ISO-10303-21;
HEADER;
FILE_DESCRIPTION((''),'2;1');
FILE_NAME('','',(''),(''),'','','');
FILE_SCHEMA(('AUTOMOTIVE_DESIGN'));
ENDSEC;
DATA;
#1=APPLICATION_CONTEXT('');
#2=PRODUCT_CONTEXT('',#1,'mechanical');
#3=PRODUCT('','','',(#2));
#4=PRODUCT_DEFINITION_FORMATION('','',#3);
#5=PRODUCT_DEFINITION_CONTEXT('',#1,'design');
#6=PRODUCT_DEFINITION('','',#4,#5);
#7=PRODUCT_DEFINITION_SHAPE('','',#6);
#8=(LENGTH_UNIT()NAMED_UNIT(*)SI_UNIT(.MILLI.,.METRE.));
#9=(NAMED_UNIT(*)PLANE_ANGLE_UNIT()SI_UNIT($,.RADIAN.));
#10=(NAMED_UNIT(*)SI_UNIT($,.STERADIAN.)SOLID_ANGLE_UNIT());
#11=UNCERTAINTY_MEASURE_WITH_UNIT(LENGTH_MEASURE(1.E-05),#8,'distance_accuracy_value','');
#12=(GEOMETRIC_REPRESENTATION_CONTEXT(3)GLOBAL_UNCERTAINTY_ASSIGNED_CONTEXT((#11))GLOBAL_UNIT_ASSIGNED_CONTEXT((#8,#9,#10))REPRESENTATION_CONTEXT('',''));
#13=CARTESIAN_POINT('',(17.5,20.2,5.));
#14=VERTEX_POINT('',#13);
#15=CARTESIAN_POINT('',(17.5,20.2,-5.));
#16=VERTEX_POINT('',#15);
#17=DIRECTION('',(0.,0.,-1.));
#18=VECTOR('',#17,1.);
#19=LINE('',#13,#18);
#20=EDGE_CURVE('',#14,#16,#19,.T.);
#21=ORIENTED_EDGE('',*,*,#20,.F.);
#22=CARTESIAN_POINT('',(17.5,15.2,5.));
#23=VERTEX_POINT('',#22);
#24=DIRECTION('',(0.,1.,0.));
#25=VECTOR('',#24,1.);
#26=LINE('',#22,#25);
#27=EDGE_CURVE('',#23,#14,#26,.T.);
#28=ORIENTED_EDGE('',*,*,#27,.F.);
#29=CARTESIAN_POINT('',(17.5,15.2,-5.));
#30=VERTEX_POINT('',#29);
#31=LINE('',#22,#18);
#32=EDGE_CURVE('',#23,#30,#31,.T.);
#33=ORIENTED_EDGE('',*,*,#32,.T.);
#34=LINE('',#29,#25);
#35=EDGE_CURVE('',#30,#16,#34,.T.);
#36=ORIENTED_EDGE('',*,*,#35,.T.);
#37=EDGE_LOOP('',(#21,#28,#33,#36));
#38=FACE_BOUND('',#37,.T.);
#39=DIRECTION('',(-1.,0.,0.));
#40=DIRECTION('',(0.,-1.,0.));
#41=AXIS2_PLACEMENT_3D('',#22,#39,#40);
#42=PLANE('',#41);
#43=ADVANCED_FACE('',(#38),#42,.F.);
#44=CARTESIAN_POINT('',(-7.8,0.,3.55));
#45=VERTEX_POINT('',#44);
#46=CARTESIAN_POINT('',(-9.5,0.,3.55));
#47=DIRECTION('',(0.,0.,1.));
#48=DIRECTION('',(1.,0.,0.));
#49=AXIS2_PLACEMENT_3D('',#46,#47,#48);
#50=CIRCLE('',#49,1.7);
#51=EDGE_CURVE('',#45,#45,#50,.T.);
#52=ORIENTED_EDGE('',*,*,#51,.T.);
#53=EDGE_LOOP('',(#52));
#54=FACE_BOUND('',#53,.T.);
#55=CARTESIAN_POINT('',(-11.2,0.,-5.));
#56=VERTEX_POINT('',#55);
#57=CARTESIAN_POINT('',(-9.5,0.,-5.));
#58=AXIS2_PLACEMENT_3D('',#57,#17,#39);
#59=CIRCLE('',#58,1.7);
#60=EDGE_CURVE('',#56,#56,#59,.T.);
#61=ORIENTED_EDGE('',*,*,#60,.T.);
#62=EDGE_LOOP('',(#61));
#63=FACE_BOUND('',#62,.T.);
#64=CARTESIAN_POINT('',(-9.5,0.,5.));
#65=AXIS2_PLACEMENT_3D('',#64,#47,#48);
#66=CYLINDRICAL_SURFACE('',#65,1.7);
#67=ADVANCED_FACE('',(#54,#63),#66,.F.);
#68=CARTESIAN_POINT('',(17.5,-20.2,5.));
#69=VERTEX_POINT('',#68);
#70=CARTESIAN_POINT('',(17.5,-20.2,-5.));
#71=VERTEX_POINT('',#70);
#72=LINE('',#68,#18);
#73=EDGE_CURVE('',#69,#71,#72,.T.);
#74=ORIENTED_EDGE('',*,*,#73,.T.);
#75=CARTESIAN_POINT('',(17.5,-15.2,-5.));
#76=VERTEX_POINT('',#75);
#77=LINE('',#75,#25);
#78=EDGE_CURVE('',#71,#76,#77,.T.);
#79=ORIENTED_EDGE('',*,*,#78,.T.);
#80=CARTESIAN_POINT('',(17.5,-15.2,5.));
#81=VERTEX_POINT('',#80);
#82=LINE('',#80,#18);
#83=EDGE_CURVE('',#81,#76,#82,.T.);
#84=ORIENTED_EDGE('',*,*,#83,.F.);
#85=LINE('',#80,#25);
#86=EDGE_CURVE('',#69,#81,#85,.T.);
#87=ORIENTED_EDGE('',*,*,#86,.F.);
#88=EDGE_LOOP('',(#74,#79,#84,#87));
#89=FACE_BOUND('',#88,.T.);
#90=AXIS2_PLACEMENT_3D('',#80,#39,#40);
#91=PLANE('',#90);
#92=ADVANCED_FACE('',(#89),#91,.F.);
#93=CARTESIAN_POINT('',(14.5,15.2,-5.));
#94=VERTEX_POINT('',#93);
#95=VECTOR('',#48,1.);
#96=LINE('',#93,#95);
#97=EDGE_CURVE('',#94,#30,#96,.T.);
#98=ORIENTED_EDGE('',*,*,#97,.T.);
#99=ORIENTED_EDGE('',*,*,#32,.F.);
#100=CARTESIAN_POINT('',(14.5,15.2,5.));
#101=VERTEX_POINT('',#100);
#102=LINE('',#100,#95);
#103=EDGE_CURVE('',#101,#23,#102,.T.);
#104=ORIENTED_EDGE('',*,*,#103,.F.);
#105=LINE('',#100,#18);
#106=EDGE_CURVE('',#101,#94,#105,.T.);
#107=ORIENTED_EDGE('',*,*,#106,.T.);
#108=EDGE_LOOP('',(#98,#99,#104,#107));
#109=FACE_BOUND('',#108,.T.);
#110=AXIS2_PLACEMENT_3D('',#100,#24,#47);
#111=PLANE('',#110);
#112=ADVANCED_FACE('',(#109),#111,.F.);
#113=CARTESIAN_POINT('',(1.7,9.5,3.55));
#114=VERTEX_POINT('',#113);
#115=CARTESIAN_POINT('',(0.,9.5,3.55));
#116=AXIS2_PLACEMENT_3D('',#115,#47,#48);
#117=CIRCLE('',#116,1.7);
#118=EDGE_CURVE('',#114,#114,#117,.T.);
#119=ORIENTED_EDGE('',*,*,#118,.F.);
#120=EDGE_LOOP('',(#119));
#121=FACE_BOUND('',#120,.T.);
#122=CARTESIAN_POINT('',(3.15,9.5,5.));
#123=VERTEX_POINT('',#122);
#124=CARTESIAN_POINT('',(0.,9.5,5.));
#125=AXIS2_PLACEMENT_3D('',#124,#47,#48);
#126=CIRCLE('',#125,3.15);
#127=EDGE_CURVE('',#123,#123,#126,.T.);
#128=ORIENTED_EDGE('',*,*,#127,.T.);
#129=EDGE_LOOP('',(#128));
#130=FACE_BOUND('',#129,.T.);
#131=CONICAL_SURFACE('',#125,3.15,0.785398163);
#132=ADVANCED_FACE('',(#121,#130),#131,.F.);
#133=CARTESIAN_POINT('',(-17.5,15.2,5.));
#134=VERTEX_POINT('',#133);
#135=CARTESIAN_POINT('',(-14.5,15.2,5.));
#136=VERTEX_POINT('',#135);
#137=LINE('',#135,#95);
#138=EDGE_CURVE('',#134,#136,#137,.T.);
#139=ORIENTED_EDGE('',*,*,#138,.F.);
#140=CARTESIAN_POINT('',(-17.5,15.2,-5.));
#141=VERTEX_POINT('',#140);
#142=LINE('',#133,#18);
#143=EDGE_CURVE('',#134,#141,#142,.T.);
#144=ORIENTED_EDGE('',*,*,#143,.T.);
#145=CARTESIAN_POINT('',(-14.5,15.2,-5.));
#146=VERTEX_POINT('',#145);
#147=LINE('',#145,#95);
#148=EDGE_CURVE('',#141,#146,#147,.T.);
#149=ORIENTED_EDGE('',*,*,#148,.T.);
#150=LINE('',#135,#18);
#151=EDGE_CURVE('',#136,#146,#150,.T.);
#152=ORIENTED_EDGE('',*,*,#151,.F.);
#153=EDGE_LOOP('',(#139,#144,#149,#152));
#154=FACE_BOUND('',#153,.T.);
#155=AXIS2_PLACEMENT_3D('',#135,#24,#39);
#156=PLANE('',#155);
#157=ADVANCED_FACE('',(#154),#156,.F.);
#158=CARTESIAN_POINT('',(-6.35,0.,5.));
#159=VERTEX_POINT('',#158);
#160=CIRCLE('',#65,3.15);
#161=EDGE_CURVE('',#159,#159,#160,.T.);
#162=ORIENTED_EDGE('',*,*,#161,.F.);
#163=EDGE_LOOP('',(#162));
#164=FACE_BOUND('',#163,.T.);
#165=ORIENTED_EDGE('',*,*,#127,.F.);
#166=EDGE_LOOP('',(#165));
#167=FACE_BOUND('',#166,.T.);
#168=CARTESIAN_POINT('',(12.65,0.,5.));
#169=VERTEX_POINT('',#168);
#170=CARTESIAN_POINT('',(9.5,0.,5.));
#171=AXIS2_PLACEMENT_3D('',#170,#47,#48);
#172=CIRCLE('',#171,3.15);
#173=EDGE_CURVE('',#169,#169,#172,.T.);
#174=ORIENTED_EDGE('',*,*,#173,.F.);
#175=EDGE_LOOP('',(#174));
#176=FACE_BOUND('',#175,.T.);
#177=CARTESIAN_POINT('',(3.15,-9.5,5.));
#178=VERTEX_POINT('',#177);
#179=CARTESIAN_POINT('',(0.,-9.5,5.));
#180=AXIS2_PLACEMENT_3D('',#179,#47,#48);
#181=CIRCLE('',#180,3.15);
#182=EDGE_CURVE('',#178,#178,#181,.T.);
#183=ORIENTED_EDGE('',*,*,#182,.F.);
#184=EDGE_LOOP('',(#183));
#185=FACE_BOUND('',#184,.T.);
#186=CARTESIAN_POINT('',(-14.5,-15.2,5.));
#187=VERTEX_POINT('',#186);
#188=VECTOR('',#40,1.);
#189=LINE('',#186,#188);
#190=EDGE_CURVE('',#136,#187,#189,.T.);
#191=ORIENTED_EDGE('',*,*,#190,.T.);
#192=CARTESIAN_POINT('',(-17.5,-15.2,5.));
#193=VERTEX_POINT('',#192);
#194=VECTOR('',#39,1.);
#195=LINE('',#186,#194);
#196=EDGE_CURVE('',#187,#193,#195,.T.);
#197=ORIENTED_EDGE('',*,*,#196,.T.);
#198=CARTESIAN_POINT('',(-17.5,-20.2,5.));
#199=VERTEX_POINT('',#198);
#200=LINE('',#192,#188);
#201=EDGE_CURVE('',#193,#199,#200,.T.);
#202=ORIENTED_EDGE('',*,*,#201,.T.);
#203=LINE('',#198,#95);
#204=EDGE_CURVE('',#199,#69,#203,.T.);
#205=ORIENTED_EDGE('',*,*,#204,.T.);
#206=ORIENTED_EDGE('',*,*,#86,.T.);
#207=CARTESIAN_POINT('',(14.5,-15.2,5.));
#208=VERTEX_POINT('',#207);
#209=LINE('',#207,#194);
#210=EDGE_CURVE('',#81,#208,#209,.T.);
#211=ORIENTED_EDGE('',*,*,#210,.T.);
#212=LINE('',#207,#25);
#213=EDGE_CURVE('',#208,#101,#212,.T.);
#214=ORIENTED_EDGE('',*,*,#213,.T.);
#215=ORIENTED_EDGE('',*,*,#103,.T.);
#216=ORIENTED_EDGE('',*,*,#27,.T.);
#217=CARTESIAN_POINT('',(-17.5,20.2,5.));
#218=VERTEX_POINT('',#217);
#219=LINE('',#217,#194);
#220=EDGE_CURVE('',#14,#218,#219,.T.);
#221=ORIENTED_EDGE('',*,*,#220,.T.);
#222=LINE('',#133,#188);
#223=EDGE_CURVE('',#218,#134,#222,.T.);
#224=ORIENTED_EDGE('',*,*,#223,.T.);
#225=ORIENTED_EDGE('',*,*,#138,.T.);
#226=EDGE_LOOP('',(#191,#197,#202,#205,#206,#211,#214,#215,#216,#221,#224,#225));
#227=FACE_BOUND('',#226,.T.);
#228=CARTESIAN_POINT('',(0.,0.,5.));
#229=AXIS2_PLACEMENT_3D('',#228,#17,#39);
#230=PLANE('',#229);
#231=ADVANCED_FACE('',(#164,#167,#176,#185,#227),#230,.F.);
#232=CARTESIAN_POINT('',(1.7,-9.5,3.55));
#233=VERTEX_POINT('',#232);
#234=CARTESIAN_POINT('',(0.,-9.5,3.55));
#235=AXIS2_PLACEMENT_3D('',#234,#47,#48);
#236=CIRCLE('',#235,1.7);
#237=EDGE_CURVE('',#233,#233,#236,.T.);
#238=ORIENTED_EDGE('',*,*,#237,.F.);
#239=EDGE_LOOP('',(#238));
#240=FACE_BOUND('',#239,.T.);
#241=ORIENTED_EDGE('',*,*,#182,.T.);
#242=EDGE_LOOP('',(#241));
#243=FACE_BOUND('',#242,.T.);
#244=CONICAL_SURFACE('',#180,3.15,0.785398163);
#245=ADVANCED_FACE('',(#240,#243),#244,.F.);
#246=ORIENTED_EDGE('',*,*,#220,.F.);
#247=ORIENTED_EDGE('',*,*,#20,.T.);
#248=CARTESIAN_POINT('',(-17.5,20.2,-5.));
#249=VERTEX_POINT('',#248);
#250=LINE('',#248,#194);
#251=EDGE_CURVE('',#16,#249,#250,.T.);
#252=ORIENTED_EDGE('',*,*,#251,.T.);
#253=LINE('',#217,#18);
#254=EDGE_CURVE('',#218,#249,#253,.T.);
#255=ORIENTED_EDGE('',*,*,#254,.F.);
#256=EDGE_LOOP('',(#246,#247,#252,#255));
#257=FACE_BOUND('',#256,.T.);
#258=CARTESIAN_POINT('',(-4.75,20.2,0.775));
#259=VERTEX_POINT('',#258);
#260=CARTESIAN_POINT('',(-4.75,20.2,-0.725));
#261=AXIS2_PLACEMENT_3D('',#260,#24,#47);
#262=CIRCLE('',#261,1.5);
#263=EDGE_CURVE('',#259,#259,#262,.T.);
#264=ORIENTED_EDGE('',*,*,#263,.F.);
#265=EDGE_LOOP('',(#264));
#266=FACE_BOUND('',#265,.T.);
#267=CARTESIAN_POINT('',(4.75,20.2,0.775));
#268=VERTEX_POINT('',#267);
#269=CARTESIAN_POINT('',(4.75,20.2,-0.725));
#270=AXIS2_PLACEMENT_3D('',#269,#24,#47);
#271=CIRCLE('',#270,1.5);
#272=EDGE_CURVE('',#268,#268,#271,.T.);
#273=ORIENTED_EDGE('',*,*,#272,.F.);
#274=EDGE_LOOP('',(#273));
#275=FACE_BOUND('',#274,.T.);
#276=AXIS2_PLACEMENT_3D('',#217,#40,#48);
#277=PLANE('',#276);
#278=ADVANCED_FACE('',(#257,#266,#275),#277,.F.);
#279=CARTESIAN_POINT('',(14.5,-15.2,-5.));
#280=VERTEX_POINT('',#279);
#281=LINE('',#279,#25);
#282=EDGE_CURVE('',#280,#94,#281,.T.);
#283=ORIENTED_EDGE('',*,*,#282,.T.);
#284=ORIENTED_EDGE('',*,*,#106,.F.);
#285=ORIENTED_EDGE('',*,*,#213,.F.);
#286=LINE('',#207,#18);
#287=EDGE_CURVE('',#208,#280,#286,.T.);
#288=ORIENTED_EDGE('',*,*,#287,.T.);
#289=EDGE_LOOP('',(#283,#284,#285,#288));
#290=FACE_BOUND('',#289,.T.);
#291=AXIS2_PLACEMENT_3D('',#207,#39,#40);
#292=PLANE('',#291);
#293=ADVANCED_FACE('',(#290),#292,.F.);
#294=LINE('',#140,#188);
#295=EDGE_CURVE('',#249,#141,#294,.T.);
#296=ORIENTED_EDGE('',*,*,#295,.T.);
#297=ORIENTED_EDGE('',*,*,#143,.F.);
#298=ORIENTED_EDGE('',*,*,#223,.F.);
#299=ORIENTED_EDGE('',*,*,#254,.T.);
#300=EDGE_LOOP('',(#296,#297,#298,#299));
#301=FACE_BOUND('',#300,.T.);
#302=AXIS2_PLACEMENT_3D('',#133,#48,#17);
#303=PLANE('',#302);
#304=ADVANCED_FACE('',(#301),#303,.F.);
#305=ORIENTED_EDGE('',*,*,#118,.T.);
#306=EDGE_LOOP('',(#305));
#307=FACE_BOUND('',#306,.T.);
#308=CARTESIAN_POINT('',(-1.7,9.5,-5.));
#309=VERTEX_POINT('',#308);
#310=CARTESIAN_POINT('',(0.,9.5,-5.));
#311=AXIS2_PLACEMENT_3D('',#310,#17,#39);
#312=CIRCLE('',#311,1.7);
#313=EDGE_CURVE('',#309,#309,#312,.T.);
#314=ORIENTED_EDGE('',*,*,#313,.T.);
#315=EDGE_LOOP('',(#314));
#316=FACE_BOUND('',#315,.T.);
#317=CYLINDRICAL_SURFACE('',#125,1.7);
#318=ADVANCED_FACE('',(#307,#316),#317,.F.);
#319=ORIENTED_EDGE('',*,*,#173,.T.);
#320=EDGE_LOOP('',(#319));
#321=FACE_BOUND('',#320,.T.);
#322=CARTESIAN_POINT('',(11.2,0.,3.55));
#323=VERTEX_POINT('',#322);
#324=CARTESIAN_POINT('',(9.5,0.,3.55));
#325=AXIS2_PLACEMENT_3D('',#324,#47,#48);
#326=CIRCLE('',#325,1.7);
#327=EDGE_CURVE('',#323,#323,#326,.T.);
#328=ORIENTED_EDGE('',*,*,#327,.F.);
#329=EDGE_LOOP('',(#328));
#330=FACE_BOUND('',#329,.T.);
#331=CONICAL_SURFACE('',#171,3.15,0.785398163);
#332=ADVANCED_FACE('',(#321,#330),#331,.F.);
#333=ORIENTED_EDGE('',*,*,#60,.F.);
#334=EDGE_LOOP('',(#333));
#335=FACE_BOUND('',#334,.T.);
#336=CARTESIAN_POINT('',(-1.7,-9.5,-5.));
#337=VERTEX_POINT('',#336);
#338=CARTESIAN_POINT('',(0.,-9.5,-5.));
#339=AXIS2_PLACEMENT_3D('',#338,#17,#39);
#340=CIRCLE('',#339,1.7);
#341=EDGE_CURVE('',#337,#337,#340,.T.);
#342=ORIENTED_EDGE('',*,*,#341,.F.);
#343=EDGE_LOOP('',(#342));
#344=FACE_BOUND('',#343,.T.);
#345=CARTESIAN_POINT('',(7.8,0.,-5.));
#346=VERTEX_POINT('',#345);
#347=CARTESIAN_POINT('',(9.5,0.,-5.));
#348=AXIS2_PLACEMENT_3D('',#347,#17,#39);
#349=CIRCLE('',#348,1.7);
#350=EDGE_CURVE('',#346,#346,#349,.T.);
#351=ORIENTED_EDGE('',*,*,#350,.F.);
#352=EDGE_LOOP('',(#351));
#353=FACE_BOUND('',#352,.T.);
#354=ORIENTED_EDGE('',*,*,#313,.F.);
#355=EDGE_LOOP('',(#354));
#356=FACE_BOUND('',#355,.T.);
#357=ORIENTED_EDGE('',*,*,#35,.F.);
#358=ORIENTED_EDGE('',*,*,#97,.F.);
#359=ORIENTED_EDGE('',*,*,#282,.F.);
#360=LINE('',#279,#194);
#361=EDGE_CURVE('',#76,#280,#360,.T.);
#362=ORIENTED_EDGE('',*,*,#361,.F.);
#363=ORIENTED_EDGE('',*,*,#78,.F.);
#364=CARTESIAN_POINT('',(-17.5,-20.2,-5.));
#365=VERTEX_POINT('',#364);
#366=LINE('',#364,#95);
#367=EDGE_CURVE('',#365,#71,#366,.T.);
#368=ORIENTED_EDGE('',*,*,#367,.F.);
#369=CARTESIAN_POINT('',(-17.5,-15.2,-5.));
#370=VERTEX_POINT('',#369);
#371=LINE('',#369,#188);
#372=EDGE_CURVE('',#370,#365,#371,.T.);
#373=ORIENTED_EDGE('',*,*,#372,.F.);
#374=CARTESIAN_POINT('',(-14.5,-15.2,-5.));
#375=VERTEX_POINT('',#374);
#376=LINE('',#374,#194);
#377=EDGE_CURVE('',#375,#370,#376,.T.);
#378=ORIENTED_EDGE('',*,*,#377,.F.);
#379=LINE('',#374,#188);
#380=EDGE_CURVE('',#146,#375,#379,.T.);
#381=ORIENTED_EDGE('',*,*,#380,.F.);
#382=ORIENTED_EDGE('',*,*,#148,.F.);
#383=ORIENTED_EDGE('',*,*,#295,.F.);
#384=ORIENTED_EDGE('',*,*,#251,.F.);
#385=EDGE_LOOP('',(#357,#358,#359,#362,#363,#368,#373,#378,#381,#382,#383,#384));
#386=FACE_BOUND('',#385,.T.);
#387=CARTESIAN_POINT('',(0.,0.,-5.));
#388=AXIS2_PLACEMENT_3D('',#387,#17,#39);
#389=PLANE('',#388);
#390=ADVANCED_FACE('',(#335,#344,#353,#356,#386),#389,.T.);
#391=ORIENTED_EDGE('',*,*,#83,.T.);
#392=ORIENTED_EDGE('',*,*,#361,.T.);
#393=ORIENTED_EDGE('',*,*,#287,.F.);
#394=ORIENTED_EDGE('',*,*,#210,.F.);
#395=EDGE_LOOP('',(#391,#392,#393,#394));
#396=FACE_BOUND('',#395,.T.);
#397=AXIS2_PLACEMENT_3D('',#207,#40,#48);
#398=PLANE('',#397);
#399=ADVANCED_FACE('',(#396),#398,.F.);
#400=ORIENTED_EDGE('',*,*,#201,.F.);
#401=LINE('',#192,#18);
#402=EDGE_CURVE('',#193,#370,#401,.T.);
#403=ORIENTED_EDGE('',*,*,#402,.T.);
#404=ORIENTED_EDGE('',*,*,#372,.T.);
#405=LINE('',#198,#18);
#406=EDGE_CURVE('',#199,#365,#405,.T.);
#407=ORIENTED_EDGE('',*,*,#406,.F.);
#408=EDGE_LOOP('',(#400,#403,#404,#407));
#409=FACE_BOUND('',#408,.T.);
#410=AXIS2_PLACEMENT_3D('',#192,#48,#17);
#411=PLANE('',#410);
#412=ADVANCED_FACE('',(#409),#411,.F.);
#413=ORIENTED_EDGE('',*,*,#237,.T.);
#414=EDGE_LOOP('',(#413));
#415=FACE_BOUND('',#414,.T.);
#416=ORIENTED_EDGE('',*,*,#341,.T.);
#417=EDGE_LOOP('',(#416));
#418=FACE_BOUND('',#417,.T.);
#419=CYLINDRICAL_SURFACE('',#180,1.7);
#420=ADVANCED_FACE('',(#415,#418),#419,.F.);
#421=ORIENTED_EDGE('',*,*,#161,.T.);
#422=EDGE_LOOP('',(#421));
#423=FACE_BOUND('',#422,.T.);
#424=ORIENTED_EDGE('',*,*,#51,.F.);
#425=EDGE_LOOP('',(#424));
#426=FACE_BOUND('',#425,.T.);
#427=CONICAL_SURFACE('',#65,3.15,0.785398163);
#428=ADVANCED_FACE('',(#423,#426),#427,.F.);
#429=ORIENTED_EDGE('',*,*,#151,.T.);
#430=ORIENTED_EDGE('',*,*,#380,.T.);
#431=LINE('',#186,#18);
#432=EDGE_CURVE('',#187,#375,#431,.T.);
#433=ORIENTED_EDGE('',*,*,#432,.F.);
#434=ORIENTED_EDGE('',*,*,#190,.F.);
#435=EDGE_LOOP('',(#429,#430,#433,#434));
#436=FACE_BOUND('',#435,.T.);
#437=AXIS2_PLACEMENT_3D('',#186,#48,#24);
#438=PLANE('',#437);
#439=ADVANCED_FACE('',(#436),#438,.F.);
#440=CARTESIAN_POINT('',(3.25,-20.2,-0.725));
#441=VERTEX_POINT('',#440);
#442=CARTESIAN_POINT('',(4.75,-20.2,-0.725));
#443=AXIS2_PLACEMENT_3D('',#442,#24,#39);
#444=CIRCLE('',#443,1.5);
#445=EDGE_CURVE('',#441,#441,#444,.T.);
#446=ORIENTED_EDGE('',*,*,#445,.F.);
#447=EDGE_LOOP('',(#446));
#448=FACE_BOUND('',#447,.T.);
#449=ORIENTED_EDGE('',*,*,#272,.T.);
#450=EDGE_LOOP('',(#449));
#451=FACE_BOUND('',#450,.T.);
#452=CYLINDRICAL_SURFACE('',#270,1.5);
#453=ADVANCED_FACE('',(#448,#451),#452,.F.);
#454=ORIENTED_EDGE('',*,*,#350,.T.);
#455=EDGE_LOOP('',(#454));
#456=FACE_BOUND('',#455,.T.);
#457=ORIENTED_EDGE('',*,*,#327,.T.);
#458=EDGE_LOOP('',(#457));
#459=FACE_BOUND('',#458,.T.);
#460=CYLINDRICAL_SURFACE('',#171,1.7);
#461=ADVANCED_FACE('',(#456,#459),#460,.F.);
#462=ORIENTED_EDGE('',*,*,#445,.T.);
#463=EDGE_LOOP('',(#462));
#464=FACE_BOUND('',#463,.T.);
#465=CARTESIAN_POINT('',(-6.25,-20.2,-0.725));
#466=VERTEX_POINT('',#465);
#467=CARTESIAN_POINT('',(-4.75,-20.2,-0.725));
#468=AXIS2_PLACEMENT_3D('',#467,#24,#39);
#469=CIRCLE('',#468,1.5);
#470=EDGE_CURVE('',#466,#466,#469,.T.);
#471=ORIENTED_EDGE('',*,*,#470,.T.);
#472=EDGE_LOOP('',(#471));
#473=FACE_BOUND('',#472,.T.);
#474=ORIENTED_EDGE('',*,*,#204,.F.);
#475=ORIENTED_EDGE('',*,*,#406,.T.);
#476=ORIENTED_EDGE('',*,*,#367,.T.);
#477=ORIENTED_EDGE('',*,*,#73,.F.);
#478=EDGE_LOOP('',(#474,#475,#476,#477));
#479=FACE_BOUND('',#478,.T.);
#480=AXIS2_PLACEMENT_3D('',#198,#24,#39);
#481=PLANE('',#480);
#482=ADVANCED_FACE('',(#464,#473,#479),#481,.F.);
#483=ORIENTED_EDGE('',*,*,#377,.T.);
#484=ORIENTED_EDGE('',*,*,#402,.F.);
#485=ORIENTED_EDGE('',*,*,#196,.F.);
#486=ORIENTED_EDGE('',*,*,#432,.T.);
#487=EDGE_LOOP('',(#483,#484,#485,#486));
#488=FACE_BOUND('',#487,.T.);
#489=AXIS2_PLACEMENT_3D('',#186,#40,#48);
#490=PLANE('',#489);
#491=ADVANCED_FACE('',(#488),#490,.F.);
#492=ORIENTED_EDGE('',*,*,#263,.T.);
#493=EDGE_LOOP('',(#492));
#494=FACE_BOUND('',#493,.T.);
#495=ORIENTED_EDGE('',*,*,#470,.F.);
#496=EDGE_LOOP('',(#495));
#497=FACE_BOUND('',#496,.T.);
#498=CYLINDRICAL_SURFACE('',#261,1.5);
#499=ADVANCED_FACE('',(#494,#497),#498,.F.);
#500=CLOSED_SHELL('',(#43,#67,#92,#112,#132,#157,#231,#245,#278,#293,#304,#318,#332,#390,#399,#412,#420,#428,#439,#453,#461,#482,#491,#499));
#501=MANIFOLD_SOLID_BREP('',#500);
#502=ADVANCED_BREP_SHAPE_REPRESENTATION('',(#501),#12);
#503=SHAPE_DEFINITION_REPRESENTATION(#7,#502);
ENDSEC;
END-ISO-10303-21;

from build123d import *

# Parameters (mm, degrees)
BOSS_EXTRUDE1_DEPTH                             = 5
CSK_FOR_M3_FLAT_HEAD_MACHINE_SCREW1_D           = 3.4
CSK_FOR_M3_FLAT_HEAD_MACHINE_SCREW1_DEPTH       = 15.4
CSK_FOR_M3_FLAT_HEAD_MACHINE_SCREW1_CSINK_D     = 6.3
CSK_FOR_M3_FLAT_HEAD_MACHINE_SCREW1_CSINK_ANGLE = 90
CSK_FOR_M3_FLAT_HEAD_MACHINE_SCREW1_TIP         = 1.041353257
F_3_0MM_DOWEL_HOLE1_D                           = 3


with BuildPart() as part:
    # Sketch2 → Boss-Extrude1 (new, symmetric)
    with BuildSketch(Plane.XY):
        Polygon((-14.5, -15.2), (-14.5, 15.2), (-17.5, 15.2), (-17.5, 20.2), (17.5, 20.2), (17.5, 15.2), (14.5, 15.2), (14.5, -15.2), (17.5, -15.2), (17.5, -20.2), (-17.5, -20.2), (-17.5, -15.2), align=None)
    extrude(amount=BOSS_EXTRUDE1_DEPTH, both=True)

    # CSK for M3 Flat Head Machine Screw1
    with Locations(Plane(origin=(-9.5, 0, 5), x_dir=(1, 0, 0), z_dir=(0, 0, 1))):
        with Locations((0, 0), (9.5, 9.5), (19, 0), (9.5, -9.5)):
            CounterSinkHole(CSK_FOR_M3_FLAT_HEAD_MACHINE_SCREW1_D / 2, CSK_FOR_M3_FLAT_HEAD_MACHINE_SCREW1_CSINK_D / 2, depth=CSK_FOR_M3_FLAT_HEAD_MACHINE_SCREW1_DEPTH, counter_sink_angle=CSK_FOR_M3_FLAT_HEAD_MACHINE_SCREW1_CSINK_ANGLE)
            with Locations((0, 0, -(CSK_FOR_M3_FLAT_HEAD_MACHINE_SCREW1_DEPTH + CSK_FOR_M3_FLAT_HEAD_MACHINE_SCREW1_TIP / 2))):  # 117.02° drill point
                Cone(0, CSK_FOR_M3_FLAT_HEAD_MACHINE_SCREW1_D / 2, CSK_FOR_M3_FLAT_HEAD_MACHINE_SCREW1_TIP, mode=Mode.SUBTRACT)

    # Ø3.0mm Dowel Hole1 (through all)
    with Locations(Plane(origin=(0, 20.2, 0), x_dir=(1, 0, 0), z_dir=(0, 1, 0))):
        with Locations((-4.75, 0.725), (4.75, 0.725)):
            Hole(F_3_0MM_DOWEL_HOLE1_D / 2)


solid = part.part
